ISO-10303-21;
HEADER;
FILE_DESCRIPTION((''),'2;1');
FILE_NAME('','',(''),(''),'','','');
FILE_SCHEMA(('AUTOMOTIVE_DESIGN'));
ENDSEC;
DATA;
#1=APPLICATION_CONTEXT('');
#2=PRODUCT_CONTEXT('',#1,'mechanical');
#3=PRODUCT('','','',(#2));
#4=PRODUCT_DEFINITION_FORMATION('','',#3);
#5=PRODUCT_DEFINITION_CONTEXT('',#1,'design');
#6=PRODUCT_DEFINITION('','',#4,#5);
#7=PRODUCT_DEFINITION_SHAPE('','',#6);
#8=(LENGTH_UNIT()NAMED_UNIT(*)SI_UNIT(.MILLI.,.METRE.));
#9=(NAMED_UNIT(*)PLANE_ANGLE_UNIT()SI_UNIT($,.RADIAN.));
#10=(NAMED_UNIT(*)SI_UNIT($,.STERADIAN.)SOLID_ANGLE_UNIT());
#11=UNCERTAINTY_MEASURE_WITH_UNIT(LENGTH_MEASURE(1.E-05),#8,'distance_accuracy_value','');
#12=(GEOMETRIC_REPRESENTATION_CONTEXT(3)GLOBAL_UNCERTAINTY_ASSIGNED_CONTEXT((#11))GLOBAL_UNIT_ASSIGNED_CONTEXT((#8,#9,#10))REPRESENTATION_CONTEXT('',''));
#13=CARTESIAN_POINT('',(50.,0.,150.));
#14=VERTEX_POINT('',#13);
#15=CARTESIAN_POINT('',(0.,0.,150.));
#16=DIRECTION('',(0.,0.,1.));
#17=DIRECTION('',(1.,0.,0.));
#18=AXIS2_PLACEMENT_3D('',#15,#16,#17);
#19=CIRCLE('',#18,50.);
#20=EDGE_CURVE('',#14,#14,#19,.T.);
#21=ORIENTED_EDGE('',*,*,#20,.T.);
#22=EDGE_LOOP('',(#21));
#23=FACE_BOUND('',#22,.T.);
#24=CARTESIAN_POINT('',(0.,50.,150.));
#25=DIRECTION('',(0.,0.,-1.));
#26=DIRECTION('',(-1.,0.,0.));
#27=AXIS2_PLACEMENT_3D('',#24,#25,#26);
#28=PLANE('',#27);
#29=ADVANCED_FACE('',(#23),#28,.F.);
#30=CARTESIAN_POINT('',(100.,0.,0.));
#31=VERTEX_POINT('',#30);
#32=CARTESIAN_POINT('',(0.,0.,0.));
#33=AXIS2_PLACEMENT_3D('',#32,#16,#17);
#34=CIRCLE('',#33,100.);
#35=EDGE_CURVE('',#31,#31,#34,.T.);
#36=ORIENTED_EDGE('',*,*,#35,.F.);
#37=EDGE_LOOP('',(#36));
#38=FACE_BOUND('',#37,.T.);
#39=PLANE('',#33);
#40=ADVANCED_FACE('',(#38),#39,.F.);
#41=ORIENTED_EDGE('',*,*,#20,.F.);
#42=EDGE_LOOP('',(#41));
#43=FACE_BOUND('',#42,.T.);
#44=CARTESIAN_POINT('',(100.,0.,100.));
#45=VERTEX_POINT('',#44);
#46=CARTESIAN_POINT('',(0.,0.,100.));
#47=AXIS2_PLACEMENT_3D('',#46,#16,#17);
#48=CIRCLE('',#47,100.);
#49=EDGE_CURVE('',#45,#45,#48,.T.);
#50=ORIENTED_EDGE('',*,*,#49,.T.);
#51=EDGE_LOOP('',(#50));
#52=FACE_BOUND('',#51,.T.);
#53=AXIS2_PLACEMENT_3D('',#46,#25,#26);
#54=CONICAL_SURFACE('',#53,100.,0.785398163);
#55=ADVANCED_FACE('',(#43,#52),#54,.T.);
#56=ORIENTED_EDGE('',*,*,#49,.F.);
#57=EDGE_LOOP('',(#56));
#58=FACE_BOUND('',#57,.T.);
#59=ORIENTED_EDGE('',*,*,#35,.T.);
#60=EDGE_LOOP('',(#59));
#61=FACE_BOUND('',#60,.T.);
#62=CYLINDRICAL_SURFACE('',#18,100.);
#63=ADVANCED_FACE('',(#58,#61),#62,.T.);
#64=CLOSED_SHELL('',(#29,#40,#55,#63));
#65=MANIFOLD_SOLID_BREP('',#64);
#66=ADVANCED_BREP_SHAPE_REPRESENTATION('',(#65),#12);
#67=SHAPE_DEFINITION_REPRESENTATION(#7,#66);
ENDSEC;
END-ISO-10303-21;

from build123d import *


with BuildPart() as part:
    # Sketch1 → Revolve1 (revolve)
    with BuildSketch(Plane(origin=(0, 0, 0), x_dir=(0, 0, -1), z_dir=(1, 0, 0))):
        Polygon((0, 0), (0, 100), (-100, 100), (-150, 50), (-150, 0), align=None)
    revolve(axis=Axis((0, 0, 150), (0, 0, -1)))


solid = part.part
